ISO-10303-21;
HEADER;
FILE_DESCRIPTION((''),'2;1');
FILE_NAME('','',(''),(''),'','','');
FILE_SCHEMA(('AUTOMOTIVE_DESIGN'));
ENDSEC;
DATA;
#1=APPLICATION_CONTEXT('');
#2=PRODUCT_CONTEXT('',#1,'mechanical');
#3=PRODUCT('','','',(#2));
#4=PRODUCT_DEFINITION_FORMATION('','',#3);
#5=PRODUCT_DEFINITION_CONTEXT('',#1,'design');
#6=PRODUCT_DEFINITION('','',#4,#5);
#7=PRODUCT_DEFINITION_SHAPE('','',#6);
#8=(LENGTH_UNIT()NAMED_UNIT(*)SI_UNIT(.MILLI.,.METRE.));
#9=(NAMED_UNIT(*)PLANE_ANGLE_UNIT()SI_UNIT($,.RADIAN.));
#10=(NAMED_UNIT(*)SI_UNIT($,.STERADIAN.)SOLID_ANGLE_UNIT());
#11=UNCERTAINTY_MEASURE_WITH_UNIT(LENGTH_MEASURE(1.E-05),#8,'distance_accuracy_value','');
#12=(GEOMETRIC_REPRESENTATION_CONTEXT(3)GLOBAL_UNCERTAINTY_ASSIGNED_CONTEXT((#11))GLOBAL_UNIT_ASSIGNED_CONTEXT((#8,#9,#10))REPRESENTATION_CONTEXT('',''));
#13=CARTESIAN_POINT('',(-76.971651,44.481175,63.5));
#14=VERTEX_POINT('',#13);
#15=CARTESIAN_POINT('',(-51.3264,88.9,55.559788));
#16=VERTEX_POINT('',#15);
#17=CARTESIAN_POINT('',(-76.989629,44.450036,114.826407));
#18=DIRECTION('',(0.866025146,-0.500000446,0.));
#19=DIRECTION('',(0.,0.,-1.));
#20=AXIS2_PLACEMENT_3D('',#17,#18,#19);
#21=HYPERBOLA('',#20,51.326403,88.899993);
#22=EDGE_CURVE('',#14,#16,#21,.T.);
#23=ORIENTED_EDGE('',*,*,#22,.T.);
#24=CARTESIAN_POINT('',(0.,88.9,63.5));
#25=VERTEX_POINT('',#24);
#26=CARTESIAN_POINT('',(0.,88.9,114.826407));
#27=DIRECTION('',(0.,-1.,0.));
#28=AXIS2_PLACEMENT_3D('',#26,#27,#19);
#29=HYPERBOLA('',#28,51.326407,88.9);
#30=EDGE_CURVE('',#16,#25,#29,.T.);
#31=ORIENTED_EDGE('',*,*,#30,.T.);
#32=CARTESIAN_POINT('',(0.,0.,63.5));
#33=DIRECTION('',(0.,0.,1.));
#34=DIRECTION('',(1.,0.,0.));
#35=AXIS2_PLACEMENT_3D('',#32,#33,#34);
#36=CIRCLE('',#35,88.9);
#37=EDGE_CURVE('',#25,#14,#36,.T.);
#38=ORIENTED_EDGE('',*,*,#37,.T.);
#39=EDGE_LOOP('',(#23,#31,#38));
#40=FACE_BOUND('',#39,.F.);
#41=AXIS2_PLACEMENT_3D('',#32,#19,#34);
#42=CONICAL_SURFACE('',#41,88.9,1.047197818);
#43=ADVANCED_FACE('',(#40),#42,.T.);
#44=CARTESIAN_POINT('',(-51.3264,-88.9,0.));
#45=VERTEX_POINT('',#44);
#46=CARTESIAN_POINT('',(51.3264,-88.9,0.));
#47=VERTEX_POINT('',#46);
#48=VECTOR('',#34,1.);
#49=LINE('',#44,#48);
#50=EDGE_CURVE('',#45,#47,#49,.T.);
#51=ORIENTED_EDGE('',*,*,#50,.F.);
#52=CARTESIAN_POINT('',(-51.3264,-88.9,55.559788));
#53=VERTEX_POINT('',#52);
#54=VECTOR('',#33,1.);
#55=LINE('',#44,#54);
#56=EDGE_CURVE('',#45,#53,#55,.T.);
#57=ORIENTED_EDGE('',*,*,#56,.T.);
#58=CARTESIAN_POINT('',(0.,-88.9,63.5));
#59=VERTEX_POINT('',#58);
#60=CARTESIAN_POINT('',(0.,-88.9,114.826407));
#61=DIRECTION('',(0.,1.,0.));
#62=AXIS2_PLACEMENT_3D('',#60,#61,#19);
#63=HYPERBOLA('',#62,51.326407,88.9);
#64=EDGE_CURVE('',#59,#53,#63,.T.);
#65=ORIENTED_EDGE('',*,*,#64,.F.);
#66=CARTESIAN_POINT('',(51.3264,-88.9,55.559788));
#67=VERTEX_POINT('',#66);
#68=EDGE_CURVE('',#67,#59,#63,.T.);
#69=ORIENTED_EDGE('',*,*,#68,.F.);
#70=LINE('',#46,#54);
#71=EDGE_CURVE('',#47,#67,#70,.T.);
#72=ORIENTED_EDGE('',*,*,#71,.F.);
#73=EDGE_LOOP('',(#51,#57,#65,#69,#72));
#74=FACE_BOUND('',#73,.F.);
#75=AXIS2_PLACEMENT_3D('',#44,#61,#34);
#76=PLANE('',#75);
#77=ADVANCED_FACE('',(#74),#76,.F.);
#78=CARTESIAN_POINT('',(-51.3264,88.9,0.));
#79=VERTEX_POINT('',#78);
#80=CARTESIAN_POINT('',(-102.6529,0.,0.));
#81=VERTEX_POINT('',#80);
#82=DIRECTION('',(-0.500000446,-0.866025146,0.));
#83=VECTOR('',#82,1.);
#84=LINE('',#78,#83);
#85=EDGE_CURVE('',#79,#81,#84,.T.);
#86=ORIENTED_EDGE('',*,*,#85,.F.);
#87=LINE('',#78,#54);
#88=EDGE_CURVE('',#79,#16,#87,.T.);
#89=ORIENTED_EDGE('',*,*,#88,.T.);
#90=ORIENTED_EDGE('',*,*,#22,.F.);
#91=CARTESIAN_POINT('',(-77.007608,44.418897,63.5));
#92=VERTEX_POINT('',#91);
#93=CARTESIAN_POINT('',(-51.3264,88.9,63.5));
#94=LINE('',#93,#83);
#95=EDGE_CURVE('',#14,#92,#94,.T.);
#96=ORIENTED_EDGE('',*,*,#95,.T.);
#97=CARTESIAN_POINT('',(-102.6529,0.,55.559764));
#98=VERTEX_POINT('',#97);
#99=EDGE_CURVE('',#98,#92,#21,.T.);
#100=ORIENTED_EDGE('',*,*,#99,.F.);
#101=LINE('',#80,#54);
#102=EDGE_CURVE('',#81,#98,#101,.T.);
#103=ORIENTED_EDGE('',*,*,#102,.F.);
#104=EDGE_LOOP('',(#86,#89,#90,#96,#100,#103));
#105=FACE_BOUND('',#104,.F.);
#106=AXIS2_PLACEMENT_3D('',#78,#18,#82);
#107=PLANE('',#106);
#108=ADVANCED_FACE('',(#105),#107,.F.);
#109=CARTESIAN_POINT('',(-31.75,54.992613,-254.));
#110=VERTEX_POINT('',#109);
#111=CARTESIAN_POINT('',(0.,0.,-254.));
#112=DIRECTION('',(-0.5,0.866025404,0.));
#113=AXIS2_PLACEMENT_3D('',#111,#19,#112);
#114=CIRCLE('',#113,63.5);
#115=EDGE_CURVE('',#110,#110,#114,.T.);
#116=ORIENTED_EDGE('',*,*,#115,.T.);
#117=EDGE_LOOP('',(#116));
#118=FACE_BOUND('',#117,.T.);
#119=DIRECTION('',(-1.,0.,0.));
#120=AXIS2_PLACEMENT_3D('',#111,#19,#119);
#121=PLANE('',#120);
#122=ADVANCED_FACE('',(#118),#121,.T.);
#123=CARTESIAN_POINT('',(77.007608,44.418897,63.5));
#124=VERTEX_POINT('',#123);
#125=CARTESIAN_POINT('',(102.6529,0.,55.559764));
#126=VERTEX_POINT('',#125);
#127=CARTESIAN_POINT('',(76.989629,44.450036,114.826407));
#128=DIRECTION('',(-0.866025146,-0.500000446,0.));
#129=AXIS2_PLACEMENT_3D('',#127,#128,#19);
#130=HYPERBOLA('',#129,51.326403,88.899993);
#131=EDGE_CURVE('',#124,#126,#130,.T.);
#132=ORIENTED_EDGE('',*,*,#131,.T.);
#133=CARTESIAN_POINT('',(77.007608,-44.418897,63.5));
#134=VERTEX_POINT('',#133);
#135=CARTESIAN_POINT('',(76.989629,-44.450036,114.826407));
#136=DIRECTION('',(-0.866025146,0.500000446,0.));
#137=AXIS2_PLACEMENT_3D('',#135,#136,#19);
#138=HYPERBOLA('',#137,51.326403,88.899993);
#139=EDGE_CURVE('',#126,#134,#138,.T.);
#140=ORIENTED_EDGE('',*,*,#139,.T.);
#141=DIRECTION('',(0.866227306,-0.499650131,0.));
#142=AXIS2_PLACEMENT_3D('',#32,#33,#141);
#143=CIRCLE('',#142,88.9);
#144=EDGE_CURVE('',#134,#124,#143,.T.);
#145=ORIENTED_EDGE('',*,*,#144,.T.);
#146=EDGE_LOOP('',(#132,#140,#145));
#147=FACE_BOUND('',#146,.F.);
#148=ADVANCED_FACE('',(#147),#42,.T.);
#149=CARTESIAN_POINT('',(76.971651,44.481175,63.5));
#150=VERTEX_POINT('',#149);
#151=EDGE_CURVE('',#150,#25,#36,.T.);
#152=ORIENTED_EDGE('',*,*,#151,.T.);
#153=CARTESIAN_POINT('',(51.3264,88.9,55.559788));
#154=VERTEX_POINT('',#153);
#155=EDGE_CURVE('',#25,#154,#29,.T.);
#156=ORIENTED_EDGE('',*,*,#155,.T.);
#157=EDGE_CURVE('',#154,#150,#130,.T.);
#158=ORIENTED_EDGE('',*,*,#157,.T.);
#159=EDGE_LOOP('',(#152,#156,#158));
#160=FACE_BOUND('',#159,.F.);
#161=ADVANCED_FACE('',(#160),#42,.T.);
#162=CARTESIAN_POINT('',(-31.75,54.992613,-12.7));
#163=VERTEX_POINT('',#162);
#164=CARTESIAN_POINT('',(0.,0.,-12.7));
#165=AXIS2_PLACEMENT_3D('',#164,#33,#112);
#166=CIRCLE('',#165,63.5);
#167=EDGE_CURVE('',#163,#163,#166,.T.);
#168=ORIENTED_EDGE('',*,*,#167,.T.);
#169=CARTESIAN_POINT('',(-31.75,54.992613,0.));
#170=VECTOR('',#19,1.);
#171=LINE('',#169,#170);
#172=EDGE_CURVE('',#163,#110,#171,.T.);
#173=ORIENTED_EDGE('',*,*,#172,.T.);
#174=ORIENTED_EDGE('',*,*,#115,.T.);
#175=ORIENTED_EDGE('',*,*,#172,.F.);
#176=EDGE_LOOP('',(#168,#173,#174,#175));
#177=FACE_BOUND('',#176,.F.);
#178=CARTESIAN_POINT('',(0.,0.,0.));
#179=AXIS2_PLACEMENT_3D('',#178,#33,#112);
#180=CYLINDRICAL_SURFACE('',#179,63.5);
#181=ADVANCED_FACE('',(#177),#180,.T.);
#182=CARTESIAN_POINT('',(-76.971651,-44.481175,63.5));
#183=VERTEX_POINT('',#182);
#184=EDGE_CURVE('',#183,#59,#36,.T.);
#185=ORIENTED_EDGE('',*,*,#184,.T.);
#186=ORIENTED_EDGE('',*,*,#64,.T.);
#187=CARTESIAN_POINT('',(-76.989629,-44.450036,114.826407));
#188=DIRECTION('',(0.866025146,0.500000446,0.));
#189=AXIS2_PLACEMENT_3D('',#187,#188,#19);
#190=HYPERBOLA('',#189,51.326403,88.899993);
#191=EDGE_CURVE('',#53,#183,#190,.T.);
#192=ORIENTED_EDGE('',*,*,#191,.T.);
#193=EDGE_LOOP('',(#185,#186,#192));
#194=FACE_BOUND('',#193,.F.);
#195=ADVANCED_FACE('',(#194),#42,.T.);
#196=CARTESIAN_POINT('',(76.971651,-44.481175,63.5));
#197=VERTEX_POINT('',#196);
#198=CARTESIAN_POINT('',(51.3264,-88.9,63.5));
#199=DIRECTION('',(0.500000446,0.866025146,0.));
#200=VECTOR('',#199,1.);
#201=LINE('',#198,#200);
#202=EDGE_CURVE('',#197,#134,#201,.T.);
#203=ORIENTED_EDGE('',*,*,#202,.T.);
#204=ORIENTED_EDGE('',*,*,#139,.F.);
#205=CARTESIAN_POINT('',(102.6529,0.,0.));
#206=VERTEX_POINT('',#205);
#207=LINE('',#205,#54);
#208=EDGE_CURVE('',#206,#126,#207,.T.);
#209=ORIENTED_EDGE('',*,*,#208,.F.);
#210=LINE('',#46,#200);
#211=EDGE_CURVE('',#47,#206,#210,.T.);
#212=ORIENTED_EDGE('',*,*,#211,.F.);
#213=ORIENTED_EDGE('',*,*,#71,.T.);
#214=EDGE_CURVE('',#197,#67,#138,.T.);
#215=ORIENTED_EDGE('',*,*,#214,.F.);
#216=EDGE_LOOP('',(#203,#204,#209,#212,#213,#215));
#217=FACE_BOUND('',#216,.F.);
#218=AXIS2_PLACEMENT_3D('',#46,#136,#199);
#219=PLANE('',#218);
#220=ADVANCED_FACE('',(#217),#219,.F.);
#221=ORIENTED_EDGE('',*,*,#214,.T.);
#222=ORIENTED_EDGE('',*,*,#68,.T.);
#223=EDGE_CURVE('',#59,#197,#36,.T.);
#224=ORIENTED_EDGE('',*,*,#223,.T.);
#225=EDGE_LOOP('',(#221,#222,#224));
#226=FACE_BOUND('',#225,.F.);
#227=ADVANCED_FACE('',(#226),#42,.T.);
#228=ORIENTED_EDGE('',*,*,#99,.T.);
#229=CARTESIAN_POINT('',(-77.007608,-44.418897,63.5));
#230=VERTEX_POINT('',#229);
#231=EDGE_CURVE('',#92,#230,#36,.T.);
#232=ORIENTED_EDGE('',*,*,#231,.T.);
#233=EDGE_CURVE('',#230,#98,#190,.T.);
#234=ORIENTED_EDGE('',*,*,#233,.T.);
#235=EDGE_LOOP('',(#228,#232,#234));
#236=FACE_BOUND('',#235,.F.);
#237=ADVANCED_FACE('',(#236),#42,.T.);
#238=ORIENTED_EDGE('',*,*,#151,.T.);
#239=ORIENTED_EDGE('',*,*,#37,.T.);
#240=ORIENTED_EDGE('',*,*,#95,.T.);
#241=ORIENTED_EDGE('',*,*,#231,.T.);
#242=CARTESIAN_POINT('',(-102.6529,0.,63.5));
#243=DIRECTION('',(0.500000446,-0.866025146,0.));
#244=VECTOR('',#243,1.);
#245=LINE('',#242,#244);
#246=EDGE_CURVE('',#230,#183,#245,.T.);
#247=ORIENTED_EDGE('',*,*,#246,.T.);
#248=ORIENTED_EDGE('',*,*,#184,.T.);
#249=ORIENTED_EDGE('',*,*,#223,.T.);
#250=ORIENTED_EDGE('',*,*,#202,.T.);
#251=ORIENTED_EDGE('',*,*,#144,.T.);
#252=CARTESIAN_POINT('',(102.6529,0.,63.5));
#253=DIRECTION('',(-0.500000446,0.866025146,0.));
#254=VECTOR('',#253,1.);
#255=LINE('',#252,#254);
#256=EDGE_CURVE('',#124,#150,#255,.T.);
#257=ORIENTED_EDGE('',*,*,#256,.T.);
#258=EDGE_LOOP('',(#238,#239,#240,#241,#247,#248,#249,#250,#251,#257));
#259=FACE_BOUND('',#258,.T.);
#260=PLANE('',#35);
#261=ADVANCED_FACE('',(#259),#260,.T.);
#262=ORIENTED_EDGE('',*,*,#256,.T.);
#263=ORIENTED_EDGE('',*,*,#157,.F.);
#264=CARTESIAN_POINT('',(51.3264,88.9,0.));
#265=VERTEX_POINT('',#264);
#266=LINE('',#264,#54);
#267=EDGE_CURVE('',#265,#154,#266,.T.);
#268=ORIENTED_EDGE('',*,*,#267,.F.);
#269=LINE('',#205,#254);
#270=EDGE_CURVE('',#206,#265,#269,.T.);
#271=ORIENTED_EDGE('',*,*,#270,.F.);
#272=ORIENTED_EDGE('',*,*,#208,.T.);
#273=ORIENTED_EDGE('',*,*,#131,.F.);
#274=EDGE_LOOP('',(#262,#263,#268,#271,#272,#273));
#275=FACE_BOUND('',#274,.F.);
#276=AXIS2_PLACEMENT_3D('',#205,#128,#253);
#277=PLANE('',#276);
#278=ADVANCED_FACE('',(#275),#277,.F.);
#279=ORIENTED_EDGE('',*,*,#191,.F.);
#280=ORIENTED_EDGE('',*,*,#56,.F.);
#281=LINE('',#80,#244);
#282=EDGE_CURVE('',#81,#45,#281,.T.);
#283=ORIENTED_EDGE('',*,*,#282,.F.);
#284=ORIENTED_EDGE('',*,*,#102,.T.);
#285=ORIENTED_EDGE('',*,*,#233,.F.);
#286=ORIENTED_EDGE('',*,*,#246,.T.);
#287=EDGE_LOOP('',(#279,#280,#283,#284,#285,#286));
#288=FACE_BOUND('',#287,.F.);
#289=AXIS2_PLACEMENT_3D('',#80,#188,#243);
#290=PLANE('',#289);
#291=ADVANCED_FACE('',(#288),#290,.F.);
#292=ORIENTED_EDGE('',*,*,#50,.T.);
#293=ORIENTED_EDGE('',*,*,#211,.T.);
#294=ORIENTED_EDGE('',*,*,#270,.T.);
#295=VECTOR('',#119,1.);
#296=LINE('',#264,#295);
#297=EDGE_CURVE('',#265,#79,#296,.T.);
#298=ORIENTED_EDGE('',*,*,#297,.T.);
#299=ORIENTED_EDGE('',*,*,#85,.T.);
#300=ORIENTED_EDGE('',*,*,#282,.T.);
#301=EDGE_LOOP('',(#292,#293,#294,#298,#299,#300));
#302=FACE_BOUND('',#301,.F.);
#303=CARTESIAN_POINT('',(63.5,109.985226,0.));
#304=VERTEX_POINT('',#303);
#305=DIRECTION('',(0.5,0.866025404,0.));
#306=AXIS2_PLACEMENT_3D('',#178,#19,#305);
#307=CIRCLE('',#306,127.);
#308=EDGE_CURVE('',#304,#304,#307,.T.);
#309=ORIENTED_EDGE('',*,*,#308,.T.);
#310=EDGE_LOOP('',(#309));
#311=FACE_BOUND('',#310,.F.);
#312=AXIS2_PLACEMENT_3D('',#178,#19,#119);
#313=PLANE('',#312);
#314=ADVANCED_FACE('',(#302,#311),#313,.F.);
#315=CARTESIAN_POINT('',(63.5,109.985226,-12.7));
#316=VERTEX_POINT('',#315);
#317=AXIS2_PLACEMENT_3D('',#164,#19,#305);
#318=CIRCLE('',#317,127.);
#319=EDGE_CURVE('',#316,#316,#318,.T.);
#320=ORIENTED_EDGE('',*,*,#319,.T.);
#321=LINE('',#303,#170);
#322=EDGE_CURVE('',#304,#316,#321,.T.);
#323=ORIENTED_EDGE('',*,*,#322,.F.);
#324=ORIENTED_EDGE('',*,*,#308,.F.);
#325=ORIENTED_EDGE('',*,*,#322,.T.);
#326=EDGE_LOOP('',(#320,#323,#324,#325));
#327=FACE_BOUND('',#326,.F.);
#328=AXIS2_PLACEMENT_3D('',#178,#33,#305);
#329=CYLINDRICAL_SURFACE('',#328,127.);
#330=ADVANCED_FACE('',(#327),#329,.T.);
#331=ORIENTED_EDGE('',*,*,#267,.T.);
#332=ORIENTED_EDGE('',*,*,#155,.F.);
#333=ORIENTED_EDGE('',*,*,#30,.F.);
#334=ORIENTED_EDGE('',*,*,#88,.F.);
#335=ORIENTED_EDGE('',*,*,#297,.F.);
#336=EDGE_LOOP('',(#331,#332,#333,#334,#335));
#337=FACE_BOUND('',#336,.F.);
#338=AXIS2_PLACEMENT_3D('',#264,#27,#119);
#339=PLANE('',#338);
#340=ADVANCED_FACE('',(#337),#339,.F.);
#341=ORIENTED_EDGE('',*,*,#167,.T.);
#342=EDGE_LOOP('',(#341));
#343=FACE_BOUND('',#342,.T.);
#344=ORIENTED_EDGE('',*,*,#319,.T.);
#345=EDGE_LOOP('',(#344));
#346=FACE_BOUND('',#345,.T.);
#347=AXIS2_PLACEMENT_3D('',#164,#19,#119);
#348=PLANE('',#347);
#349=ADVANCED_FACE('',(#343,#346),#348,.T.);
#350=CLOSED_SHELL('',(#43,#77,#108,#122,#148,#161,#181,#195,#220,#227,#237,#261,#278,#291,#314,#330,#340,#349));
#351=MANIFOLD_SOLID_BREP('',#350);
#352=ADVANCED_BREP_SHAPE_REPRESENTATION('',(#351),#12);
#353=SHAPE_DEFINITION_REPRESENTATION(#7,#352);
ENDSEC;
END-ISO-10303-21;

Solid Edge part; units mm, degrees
sketch "Sketch1" plane through (0, 0, 0) normal (0, 0, 1) x (1, 0, 0)
  line L0 (-102.6529, 0) -> (-51.3264, -88.9)
  line L1 (-51.3264, -88.9) -> (51.3264, -88.9)
  line L2 (51.3264, -88.9) -> (102.6529, 0)
  line L3 (102.6529, 0) -> (51.3264, 88.9)
  line L4 (51.3264, 88.9) -> (-51.3264, 88.9)
  line L5 (-51.3264, 88.9) -> (-102.6529, 0)
extrude "Protrusion1" add sketch "Sketch1" along normal blind 63.5
sketch "Sketch2" plane through (0, 0, 0) normal (0, 0, -1) x (-0.5, 0.866, 0)
  circle A0 centre (0, 0) radius 63.5
extrude "ExtrudedProtrusion_2" add sketch "Sketch2" along normal blind 254
sketch "Sketch3" plane through (0, 0, 0) normal (0, 0, -1) x (0.5, 0.866, 0)
  circle A0 centre (0, 0) radius 127
extrude "ExtrudedProtrusion_3" add sketch "Sketch3" along normal blind 12.7
sketch "Sketch4" plane through (0, 0, 0) normal (0, -1, 0) x (1, 0, 0)
  line L0 (88.9, 63.5) -> (126.295, 41.91)
revolve "RevolvedCutout1" cut sketch "Sketch4" angle 360 about axis through (0, 0, 0) along (0, 0, 1) material side at (107.6225, 0, 52.7483)
